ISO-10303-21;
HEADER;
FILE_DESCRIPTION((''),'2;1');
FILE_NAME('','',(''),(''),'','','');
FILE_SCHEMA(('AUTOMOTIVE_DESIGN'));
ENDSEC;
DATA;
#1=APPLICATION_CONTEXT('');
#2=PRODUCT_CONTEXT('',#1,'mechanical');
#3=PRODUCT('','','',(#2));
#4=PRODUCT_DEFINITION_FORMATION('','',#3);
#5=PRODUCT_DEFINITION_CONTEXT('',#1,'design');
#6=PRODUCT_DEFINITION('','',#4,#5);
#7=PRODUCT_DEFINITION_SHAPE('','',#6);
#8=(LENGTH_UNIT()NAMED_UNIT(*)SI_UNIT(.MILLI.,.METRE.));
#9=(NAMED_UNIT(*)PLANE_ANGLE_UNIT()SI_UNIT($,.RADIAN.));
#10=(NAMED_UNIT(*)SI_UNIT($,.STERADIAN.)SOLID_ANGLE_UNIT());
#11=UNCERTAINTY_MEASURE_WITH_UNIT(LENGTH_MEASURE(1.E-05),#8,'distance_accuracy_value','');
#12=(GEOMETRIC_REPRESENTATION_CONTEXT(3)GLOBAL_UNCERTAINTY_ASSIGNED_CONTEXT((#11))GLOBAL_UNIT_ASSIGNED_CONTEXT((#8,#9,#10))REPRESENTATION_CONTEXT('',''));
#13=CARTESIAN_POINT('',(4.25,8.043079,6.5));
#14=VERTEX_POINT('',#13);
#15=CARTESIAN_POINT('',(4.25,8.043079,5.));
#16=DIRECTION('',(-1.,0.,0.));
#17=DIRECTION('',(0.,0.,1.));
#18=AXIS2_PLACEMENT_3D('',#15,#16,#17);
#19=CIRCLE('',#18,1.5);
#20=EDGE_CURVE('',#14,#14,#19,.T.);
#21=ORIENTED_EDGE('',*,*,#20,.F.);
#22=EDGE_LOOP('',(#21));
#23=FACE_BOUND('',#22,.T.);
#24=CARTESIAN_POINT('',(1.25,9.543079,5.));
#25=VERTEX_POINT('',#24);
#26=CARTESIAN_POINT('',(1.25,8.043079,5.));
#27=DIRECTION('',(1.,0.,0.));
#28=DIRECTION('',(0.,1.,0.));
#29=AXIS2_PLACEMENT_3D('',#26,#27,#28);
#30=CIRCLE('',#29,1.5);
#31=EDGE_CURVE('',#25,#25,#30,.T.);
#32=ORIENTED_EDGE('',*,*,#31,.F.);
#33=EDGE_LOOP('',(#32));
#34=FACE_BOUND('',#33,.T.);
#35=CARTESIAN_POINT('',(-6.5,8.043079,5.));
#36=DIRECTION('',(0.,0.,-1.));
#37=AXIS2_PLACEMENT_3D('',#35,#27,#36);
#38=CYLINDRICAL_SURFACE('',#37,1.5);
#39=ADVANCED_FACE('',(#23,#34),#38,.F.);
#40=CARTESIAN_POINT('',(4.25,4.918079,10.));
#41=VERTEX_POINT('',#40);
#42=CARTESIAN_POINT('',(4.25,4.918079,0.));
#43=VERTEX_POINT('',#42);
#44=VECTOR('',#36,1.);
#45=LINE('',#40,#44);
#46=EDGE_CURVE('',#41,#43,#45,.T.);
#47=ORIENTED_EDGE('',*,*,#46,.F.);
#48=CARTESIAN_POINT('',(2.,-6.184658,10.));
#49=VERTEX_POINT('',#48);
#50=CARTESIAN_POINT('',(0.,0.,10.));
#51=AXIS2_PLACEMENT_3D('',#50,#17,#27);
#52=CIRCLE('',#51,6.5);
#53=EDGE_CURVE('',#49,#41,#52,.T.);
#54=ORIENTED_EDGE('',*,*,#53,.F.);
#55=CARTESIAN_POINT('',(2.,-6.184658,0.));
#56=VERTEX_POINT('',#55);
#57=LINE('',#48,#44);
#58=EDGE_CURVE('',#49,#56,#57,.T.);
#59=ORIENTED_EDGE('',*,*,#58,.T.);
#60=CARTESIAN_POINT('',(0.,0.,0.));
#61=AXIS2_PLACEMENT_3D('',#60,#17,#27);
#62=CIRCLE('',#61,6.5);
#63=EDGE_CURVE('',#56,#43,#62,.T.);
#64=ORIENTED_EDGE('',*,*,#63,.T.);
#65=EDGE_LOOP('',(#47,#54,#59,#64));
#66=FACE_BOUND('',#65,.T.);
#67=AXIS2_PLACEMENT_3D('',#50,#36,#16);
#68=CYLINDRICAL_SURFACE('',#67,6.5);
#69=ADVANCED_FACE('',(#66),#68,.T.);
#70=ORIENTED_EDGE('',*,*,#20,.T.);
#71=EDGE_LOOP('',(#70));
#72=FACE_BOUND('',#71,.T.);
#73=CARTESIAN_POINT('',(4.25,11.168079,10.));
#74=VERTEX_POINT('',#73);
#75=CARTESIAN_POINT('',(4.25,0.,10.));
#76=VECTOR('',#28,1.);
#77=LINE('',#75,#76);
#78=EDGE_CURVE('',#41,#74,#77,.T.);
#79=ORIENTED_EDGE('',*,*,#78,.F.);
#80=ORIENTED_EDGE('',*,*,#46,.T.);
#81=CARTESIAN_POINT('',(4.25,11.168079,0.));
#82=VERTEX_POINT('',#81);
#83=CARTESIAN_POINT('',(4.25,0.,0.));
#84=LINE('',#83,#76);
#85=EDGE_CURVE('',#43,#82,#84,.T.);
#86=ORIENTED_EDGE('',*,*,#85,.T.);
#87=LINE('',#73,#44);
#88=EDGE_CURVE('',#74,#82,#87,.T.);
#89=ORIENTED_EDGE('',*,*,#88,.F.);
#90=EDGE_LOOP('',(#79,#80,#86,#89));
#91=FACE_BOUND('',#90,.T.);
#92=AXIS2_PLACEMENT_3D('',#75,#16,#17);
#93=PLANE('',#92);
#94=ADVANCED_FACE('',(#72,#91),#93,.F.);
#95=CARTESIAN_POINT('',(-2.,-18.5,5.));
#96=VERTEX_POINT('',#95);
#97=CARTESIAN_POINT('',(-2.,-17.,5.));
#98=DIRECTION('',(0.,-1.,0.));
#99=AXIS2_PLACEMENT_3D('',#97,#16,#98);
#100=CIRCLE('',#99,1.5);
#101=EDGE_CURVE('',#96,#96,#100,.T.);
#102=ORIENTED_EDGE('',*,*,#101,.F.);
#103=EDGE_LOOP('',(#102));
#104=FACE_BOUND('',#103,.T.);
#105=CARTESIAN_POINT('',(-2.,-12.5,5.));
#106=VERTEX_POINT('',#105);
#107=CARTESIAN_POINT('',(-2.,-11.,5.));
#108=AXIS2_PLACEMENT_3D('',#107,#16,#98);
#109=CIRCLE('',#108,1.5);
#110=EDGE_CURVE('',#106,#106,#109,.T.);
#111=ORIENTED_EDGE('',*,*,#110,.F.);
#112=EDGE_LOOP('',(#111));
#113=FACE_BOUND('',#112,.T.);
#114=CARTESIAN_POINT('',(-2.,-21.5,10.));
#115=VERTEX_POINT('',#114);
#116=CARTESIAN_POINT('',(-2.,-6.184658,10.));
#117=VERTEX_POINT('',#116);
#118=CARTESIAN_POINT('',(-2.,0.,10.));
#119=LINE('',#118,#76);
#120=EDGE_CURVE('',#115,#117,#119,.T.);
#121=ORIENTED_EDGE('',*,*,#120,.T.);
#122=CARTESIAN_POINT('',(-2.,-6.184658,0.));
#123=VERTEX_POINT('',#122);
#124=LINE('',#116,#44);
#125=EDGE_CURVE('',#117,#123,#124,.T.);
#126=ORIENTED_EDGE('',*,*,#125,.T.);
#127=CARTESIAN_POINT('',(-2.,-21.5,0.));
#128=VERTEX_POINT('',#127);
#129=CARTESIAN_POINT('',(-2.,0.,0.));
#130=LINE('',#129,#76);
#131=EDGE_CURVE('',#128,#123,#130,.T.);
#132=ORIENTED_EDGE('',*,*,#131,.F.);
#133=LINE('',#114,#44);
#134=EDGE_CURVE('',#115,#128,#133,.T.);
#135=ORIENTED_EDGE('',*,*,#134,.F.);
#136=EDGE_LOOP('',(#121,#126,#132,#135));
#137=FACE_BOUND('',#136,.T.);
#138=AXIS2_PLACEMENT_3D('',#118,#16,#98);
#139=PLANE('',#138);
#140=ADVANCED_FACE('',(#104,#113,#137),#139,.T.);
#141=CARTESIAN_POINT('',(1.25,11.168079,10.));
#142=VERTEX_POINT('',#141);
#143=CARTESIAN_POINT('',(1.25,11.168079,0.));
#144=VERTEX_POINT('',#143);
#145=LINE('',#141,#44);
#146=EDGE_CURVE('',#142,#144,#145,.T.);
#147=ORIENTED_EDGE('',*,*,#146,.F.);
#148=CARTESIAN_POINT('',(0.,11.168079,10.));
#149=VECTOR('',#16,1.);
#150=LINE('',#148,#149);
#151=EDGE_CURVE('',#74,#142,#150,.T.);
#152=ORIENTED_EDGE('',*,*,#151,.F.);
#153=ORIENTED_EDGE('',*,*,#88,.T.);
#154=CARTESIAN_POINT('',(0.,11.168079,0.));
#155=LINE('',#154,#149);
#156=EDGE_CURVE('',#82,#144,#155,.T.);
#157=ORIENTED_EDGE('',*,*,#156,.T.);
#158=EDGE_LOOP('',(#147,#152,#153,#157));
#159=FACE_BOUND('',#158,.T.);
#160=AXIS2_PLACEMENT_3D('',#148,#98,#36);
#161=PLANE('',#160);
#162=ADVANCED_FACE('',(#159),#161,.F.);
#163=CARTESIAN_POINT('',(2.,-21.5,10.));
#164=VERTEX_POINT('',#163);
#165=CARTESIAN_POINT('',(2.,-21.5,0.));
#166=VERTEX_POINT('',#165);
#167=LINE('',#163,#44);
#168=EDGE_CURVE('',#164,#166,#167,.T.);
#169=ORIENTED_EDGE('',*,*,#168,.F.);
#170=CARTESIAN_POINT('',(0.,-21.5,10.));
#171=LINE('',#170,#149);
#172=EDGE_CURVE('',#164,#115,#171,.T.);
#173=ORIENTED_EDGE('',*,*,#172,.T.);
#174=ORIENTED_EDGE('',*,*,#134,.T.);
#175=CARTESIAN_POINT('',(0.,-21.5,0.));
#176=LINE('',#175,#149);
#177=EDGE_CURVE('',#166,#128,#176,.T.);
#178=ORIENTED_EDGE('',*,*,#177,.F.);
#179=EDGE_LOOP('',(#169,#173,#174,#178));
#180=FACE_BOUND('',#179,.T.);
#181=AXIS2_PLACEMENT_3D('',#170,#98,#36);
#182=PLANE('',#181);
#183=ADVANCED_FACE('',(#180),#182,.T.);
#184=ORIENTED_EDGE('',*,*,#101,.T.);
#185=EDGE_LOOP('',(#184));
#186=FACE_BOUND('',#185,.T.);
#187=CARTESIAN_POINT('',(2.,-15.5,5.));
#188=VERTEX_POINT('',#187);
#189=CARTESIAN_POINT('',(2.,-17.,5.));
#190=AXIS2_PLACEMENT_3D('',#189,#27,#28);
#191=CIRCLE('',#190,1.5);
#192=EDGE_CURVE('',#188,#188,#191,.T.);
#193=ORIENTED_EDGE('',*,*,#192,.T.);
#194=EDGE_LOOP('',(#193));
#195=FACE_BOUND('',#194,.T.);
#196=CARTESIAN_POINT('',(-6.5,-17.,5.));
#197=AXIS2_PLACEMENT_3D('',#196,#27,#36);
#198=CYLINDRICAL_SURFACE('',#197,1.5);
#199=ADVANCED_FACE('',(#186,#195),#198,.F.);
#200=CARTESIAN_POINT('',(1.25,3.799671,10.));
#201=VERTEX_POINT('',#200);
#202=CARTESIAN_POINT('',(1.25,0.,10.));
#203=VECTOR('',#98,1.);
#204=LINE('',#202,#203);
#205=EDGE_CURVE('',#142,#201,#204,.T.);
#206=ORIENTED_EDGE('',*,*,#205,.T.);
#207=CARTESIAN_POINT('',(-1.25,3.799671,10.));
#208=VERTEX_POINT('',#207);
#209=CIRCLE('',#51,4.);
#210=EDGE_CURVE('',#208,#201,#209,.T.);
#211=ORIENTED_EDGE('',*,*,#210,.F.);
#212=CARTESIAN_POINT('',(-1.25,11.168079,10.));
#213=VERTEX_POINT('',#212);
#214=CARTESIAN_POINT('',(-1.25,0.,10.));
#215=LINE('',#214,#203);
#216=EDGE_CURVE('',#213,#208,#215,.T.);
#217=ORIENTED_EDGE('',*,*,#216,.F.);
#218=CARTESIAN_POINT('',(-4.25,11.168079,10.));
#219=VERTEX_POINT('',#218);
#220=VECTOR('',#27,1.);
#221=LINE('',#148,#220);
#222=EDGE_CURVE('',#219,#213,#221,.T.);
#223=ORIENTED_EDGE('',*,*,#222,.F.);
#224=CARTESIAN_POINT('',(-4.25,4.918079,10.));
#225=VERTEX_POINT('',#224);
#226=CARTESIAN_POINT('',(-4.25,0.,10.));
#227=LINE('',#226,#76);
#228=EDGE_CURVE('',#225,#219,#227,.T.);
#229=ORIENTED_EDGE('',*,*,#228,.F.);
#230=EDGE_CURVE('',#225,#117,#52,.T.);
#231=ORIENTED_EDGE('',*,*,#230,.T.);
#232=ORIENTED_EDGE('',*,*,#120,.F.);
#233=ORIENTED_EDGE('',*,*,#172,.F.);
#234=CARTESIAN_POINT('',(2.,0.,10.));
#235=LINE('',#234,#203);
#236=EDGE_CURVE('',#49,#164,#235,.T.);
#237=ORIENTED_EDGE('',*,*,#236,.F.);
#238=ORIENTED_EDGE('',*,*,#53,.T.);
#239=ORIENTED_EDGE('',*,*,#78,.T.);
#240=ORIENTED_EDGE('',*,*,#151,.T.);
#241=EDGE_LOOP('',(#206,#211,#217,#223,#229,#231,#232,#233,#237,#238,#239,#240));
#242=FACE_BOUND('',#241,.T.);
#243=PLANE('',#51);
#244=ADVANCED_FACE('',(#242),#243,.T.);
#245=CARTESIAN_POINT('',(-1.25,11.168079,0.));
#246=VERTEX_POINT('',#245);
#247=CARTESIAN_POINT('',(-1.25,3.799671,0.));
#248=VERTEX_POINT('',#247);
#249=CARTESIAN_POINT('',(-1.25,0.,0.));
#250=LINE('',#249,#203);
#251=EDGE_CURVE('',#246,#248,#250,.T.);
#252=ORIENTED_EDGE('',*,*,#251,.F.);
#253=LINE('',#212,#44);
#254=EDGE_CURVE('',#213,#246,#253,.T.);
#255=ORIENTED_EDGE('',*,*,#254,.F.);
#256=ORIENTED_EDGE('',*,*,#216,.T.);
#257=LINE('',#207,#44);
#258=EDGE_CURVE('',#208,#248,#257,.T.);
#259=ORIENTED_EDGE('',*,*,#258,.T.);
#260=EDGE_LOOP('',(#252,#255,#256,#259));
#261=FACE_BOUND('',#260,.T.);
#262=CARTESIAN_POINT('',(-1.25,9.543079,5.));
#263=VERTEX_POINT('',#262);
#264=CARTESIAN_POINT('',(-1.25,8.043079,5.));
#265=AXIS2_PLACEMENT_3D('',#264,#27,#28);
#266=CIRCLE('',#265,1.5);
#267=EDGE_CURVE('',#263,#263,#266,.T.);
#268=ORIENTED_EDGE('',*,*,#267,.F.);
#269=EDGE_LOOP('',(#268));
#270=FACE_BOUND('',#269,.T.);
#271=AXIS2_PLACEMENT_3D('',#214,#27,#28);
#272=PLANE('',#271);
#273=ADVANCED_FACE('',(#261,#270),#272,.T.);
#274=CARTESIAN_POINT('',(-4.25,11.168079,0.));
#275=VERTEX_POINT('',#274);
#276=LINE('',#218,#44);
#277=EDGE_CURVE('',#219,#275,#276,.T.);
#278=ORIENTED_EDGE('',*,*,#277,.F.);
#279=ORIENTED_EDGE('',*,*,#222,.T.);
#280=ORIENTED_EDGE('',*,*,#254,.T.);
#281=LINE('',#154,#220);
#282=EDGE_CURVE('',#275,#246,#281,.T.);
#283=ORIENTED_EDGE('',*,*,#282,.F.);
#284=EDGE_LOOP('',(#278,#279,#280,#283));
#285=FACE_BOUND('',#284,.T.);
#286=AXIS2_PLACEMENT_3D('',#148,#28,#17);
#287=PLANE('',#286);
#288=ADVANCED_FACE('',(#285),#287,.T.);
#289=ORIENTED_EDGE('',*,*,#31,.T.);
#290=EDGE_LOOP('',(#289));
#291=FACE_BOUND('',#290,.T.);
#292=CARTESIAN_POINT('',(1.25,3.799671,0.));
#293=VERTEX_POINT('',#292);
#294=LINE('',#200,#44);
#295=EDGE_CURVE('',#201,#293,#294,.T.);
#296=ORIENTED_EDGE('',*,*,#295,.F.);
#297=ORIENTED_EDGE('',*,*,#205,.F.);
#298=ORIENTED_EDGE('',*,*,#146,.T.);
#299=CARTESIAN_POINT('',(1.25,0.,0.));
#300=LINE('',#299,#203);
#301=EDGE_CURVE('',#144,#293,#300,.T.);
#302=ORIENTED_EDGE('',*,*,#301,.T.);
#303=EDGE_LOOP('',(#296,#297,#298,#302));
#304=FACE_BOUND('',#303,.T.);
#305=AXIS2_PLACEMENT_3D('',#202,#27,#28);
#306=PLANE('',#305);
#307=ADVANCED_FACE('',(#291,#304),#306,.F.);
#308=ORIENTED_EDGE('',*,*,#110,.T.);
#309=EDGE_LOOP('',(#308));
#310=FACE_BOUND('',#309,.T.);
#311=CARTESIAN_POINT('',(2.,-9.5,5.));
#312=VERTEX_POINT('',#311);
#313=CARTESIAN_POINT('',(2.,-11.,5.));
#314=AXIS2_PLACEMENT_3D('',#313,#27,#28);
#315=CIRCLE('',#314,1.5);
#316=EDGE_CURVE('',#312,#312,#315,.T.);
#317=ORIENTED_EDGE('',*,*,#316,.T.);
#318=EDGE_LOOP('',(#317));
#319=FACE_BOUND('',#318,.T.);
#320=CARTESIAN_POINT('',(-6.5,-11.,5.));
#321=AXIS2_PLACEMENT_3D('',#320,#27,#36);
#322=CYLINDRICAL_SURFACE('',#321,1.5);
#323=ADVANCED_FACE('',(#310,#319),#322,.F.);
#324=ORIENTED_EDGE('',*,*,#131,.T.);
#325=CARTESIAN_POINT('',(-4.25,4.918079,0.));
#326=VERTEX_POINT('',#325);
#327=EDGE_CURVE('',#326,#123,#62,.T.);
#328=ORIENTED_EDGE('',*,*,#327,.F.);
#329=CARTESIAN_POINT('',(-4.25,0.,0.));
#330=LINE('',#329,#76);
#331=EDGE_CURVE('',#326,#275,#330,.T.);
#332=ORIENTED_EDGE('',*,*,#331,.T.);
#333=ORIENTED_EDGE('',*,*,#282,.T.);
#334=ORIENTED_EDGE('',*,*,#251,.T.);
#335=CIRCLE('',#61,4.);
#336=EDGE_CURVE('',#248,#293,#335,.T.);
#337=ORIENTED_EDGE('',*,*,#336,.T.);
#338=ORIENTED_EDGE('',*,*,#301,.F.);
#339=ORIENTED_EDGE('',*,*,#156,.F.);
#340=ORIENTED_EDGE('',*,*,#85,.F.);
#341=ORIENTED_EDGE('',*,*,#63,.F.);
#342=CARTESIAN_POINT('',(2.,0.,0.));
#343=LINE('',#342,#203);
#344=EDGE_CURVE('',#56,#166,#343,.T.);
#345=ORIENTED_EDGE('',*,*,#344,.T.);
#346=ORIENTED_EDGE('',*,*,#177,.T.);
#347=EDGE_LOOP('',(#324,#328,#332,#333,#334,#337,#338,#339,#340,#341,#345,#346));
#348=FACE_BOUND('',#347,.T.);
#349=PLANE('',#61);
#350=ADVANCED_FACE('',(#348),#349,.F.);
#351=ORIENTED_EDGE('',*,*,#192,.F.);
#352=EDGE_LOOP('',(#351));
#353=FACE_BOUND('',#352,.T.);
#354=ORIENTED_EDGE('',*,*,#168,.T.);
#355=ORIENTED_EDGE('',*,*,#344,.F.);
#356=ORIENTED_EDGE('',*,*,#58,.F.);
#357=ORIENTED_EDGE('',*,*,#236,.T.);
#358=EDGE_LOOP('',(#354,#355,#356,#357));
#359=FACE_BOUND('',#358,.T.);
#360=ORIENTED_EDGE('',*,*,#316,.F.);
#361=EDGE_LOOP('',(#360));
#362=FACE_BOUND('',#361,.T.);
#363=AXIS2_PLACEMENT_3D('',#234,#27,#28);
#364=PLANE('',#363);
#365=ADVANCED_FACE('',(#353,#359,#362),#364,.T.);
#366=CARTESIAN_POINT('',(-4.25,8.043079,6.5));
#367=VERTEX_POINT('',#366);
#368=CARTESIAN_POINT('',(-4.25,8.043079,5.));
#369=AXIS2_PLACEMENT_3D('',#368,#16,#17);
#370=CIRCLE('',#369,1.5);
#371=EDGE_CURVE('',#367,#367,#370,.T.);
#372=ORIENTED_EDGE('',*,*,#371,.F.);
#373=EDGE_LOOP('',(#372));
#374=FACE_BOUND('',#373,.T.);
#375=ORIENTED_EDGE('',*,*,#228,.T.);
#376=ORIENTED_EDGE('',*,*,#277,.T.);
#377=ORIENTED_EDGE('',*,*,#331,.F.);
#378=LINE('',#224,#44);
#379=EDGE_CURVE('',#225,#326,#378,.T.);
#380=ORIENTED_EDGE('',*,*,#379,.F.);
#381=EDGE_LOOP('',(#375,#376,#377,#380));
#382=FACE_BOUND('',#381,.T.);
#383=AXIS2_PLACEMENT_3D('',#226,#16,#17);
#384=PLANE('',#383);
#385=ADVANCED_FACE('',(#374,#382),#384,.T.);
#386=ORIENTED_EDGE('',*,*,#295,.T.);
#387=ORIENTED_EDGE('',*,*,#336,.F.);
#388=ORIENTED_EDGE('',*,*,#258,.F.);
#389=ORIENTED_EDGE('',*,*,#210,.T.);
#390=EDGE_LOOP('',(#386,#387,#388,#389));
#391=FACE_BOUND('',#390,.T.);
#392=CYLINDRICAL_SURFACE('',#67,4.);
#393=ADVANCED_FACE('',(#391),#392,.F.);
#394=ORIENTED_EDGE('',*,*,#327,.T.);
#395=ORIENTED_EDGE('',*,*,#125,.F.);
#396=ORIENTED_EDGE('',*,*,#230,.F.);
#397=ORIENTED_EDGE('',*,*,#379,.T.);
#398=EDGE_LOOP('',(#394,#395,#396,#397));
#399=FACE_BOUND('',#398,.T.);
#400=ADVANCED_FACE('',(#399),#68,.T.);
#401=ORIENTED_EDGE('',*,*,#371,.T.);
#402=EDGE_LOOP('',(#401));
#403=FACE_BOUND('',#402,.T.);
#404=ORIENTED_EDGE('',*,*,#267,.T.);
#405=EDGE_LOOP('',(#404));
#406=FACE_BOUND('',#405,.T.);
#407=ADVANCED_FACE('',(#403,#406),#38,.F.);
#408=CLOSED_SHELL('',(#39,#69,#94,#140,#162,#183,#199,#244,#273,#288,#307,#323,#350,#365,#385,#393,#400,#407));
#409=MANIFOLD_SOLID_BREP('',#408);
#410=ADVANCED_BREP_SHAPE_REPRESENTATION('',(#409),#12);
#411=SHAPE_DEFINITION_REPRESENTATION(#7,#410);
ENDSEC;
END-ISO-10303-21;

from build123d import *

# Parameters (mm, degrees)
BOSS_EXTRUDE1_DEPTH     = 10
SKETCH2_R               = 1.5
CUT_EXTRUDE1_DEPTH      = 3.25
CUT_EXTRUDE1_DEPTH_BACK = 11.75


with BuildPart() as part:
    # Sketch1 → Boss-Extrude1 (new body)
    with BuildSketch(Plane.XY):
        with BuildLine():
            ThreePointArc((2, -6.184658438), (0, -6.5), (-2, -6.184658438))
            Line((-2, -6.184658438), (-2, -21.5))
            Line((-2, -21.5), (2, -21.5))
            Line((2, -21.5), (2, -6.184658438))
        make_face()
        with BuildLine():
            Line((-2, -3.464101615), (-2, -6.184658438))
            ThreePointArc((-2, -6.184658438), (0, -6.5), (2, -6.184658438))
            Line((2, -6.184658438), (2, -3.464101615))
            ThreePointArc((2, -3.464101615), (0, -4), (-2, -3.464101615))
        make_face()
        with BuildLine():
            ThreePointArc((-1.25, 6.378675411), (-2.84531818, 5.844156436), (-4.25, 4.918078893))
            ThreePointArc((-4.25, 4.918078893), (-6.370503831, -1.290999975), (-2, -6.184658438))
            Line((-2, -6.184658438), (-2, -3.464101615))
            ThreePointArc((-2, -3.464101615), (-3.97884698, 0.410824427), (-1.25, 3.799671038))
            Line((-1.25, 3.799671038), (-1.25, 6.378675411))
        make_face()
        with BuildLine():
            ThreePointArc((4.25, 4.918078893), (2.84531818, 5.844156436), (1.25, 6.378675411))
            Line((1.25, 6.378675411), (1.25, 3.799671038))
            ThreePointArc((1.25, 3.799671038), (3.240370349, 2.34520788), (4, 0))
            ThreePointArc((4, 0), (3.464101615, -2), (2, -3.464101615))
            Line((2, -3.464101615), (2, -6.184658438))
            ThreePointArc((2, -6.184658438), (5.25594901, -3.824264635), (6.5, 0))
            ThreePointArc((6.5, 0), (5.910795209, 2.704163457), (4.25, 4.918078893))
        make_face()
        with BuildLine():
            Line((1.25, 11.168078893), (1.25, 6.378675411))
            ThreePointArc((1.25, 6.378675411), (2.84531818, 5.844156436), (4.25, 4.918078893))
            Line((4.25, 4.918078893), (4.25, 11.168078893))
            Line((4.25, 11.168078893), (1.25, 11.168078893))
        make_face()
        with BuildLine():
            Line((-4.25, 11.168078893), (-4.25, 4.918078893))
            ThreePointArc((-4.25, 4.918078893), (-2.84531818, 5.844156436), (-1.25, 6.378675411))
            Line((-1.25, 6.378675411), (-1.25, 11.168078893))
            Line((-1.25, 11.168078893), (-4.25, 11.168078893))
        make_face()
    extrude(amount=BOSS_EXTRUDE1_DEPTH)

    # Sketch2 → Cut-Extrude1 (cut, two sides)
    with BuildSketch(Plane(origin=(4.25, 0, 0), x_dir=(0, 0, -1), z_dir=(1, 0, 0))) as cut_extrude1_sk:
        with Locations((-5, 8.043078893)):
            Circle(SKETCH2_R)
        with Locations((-5, -17)):
            Circle(SKETCH2_R)
        with Locations((-5, -11)):
            Circle(SKETCH2_R)
    extrude(amount=CUT_EXTRUDE1_DEPTH, mode=Mode.SUBTRACT)
    extrude(cut_extrude1_sk.sketch, amount=-CUT_EXTRUDE1_DEPTH_BACK, mode=Mode.SUBTRACT)


solid = part.part
